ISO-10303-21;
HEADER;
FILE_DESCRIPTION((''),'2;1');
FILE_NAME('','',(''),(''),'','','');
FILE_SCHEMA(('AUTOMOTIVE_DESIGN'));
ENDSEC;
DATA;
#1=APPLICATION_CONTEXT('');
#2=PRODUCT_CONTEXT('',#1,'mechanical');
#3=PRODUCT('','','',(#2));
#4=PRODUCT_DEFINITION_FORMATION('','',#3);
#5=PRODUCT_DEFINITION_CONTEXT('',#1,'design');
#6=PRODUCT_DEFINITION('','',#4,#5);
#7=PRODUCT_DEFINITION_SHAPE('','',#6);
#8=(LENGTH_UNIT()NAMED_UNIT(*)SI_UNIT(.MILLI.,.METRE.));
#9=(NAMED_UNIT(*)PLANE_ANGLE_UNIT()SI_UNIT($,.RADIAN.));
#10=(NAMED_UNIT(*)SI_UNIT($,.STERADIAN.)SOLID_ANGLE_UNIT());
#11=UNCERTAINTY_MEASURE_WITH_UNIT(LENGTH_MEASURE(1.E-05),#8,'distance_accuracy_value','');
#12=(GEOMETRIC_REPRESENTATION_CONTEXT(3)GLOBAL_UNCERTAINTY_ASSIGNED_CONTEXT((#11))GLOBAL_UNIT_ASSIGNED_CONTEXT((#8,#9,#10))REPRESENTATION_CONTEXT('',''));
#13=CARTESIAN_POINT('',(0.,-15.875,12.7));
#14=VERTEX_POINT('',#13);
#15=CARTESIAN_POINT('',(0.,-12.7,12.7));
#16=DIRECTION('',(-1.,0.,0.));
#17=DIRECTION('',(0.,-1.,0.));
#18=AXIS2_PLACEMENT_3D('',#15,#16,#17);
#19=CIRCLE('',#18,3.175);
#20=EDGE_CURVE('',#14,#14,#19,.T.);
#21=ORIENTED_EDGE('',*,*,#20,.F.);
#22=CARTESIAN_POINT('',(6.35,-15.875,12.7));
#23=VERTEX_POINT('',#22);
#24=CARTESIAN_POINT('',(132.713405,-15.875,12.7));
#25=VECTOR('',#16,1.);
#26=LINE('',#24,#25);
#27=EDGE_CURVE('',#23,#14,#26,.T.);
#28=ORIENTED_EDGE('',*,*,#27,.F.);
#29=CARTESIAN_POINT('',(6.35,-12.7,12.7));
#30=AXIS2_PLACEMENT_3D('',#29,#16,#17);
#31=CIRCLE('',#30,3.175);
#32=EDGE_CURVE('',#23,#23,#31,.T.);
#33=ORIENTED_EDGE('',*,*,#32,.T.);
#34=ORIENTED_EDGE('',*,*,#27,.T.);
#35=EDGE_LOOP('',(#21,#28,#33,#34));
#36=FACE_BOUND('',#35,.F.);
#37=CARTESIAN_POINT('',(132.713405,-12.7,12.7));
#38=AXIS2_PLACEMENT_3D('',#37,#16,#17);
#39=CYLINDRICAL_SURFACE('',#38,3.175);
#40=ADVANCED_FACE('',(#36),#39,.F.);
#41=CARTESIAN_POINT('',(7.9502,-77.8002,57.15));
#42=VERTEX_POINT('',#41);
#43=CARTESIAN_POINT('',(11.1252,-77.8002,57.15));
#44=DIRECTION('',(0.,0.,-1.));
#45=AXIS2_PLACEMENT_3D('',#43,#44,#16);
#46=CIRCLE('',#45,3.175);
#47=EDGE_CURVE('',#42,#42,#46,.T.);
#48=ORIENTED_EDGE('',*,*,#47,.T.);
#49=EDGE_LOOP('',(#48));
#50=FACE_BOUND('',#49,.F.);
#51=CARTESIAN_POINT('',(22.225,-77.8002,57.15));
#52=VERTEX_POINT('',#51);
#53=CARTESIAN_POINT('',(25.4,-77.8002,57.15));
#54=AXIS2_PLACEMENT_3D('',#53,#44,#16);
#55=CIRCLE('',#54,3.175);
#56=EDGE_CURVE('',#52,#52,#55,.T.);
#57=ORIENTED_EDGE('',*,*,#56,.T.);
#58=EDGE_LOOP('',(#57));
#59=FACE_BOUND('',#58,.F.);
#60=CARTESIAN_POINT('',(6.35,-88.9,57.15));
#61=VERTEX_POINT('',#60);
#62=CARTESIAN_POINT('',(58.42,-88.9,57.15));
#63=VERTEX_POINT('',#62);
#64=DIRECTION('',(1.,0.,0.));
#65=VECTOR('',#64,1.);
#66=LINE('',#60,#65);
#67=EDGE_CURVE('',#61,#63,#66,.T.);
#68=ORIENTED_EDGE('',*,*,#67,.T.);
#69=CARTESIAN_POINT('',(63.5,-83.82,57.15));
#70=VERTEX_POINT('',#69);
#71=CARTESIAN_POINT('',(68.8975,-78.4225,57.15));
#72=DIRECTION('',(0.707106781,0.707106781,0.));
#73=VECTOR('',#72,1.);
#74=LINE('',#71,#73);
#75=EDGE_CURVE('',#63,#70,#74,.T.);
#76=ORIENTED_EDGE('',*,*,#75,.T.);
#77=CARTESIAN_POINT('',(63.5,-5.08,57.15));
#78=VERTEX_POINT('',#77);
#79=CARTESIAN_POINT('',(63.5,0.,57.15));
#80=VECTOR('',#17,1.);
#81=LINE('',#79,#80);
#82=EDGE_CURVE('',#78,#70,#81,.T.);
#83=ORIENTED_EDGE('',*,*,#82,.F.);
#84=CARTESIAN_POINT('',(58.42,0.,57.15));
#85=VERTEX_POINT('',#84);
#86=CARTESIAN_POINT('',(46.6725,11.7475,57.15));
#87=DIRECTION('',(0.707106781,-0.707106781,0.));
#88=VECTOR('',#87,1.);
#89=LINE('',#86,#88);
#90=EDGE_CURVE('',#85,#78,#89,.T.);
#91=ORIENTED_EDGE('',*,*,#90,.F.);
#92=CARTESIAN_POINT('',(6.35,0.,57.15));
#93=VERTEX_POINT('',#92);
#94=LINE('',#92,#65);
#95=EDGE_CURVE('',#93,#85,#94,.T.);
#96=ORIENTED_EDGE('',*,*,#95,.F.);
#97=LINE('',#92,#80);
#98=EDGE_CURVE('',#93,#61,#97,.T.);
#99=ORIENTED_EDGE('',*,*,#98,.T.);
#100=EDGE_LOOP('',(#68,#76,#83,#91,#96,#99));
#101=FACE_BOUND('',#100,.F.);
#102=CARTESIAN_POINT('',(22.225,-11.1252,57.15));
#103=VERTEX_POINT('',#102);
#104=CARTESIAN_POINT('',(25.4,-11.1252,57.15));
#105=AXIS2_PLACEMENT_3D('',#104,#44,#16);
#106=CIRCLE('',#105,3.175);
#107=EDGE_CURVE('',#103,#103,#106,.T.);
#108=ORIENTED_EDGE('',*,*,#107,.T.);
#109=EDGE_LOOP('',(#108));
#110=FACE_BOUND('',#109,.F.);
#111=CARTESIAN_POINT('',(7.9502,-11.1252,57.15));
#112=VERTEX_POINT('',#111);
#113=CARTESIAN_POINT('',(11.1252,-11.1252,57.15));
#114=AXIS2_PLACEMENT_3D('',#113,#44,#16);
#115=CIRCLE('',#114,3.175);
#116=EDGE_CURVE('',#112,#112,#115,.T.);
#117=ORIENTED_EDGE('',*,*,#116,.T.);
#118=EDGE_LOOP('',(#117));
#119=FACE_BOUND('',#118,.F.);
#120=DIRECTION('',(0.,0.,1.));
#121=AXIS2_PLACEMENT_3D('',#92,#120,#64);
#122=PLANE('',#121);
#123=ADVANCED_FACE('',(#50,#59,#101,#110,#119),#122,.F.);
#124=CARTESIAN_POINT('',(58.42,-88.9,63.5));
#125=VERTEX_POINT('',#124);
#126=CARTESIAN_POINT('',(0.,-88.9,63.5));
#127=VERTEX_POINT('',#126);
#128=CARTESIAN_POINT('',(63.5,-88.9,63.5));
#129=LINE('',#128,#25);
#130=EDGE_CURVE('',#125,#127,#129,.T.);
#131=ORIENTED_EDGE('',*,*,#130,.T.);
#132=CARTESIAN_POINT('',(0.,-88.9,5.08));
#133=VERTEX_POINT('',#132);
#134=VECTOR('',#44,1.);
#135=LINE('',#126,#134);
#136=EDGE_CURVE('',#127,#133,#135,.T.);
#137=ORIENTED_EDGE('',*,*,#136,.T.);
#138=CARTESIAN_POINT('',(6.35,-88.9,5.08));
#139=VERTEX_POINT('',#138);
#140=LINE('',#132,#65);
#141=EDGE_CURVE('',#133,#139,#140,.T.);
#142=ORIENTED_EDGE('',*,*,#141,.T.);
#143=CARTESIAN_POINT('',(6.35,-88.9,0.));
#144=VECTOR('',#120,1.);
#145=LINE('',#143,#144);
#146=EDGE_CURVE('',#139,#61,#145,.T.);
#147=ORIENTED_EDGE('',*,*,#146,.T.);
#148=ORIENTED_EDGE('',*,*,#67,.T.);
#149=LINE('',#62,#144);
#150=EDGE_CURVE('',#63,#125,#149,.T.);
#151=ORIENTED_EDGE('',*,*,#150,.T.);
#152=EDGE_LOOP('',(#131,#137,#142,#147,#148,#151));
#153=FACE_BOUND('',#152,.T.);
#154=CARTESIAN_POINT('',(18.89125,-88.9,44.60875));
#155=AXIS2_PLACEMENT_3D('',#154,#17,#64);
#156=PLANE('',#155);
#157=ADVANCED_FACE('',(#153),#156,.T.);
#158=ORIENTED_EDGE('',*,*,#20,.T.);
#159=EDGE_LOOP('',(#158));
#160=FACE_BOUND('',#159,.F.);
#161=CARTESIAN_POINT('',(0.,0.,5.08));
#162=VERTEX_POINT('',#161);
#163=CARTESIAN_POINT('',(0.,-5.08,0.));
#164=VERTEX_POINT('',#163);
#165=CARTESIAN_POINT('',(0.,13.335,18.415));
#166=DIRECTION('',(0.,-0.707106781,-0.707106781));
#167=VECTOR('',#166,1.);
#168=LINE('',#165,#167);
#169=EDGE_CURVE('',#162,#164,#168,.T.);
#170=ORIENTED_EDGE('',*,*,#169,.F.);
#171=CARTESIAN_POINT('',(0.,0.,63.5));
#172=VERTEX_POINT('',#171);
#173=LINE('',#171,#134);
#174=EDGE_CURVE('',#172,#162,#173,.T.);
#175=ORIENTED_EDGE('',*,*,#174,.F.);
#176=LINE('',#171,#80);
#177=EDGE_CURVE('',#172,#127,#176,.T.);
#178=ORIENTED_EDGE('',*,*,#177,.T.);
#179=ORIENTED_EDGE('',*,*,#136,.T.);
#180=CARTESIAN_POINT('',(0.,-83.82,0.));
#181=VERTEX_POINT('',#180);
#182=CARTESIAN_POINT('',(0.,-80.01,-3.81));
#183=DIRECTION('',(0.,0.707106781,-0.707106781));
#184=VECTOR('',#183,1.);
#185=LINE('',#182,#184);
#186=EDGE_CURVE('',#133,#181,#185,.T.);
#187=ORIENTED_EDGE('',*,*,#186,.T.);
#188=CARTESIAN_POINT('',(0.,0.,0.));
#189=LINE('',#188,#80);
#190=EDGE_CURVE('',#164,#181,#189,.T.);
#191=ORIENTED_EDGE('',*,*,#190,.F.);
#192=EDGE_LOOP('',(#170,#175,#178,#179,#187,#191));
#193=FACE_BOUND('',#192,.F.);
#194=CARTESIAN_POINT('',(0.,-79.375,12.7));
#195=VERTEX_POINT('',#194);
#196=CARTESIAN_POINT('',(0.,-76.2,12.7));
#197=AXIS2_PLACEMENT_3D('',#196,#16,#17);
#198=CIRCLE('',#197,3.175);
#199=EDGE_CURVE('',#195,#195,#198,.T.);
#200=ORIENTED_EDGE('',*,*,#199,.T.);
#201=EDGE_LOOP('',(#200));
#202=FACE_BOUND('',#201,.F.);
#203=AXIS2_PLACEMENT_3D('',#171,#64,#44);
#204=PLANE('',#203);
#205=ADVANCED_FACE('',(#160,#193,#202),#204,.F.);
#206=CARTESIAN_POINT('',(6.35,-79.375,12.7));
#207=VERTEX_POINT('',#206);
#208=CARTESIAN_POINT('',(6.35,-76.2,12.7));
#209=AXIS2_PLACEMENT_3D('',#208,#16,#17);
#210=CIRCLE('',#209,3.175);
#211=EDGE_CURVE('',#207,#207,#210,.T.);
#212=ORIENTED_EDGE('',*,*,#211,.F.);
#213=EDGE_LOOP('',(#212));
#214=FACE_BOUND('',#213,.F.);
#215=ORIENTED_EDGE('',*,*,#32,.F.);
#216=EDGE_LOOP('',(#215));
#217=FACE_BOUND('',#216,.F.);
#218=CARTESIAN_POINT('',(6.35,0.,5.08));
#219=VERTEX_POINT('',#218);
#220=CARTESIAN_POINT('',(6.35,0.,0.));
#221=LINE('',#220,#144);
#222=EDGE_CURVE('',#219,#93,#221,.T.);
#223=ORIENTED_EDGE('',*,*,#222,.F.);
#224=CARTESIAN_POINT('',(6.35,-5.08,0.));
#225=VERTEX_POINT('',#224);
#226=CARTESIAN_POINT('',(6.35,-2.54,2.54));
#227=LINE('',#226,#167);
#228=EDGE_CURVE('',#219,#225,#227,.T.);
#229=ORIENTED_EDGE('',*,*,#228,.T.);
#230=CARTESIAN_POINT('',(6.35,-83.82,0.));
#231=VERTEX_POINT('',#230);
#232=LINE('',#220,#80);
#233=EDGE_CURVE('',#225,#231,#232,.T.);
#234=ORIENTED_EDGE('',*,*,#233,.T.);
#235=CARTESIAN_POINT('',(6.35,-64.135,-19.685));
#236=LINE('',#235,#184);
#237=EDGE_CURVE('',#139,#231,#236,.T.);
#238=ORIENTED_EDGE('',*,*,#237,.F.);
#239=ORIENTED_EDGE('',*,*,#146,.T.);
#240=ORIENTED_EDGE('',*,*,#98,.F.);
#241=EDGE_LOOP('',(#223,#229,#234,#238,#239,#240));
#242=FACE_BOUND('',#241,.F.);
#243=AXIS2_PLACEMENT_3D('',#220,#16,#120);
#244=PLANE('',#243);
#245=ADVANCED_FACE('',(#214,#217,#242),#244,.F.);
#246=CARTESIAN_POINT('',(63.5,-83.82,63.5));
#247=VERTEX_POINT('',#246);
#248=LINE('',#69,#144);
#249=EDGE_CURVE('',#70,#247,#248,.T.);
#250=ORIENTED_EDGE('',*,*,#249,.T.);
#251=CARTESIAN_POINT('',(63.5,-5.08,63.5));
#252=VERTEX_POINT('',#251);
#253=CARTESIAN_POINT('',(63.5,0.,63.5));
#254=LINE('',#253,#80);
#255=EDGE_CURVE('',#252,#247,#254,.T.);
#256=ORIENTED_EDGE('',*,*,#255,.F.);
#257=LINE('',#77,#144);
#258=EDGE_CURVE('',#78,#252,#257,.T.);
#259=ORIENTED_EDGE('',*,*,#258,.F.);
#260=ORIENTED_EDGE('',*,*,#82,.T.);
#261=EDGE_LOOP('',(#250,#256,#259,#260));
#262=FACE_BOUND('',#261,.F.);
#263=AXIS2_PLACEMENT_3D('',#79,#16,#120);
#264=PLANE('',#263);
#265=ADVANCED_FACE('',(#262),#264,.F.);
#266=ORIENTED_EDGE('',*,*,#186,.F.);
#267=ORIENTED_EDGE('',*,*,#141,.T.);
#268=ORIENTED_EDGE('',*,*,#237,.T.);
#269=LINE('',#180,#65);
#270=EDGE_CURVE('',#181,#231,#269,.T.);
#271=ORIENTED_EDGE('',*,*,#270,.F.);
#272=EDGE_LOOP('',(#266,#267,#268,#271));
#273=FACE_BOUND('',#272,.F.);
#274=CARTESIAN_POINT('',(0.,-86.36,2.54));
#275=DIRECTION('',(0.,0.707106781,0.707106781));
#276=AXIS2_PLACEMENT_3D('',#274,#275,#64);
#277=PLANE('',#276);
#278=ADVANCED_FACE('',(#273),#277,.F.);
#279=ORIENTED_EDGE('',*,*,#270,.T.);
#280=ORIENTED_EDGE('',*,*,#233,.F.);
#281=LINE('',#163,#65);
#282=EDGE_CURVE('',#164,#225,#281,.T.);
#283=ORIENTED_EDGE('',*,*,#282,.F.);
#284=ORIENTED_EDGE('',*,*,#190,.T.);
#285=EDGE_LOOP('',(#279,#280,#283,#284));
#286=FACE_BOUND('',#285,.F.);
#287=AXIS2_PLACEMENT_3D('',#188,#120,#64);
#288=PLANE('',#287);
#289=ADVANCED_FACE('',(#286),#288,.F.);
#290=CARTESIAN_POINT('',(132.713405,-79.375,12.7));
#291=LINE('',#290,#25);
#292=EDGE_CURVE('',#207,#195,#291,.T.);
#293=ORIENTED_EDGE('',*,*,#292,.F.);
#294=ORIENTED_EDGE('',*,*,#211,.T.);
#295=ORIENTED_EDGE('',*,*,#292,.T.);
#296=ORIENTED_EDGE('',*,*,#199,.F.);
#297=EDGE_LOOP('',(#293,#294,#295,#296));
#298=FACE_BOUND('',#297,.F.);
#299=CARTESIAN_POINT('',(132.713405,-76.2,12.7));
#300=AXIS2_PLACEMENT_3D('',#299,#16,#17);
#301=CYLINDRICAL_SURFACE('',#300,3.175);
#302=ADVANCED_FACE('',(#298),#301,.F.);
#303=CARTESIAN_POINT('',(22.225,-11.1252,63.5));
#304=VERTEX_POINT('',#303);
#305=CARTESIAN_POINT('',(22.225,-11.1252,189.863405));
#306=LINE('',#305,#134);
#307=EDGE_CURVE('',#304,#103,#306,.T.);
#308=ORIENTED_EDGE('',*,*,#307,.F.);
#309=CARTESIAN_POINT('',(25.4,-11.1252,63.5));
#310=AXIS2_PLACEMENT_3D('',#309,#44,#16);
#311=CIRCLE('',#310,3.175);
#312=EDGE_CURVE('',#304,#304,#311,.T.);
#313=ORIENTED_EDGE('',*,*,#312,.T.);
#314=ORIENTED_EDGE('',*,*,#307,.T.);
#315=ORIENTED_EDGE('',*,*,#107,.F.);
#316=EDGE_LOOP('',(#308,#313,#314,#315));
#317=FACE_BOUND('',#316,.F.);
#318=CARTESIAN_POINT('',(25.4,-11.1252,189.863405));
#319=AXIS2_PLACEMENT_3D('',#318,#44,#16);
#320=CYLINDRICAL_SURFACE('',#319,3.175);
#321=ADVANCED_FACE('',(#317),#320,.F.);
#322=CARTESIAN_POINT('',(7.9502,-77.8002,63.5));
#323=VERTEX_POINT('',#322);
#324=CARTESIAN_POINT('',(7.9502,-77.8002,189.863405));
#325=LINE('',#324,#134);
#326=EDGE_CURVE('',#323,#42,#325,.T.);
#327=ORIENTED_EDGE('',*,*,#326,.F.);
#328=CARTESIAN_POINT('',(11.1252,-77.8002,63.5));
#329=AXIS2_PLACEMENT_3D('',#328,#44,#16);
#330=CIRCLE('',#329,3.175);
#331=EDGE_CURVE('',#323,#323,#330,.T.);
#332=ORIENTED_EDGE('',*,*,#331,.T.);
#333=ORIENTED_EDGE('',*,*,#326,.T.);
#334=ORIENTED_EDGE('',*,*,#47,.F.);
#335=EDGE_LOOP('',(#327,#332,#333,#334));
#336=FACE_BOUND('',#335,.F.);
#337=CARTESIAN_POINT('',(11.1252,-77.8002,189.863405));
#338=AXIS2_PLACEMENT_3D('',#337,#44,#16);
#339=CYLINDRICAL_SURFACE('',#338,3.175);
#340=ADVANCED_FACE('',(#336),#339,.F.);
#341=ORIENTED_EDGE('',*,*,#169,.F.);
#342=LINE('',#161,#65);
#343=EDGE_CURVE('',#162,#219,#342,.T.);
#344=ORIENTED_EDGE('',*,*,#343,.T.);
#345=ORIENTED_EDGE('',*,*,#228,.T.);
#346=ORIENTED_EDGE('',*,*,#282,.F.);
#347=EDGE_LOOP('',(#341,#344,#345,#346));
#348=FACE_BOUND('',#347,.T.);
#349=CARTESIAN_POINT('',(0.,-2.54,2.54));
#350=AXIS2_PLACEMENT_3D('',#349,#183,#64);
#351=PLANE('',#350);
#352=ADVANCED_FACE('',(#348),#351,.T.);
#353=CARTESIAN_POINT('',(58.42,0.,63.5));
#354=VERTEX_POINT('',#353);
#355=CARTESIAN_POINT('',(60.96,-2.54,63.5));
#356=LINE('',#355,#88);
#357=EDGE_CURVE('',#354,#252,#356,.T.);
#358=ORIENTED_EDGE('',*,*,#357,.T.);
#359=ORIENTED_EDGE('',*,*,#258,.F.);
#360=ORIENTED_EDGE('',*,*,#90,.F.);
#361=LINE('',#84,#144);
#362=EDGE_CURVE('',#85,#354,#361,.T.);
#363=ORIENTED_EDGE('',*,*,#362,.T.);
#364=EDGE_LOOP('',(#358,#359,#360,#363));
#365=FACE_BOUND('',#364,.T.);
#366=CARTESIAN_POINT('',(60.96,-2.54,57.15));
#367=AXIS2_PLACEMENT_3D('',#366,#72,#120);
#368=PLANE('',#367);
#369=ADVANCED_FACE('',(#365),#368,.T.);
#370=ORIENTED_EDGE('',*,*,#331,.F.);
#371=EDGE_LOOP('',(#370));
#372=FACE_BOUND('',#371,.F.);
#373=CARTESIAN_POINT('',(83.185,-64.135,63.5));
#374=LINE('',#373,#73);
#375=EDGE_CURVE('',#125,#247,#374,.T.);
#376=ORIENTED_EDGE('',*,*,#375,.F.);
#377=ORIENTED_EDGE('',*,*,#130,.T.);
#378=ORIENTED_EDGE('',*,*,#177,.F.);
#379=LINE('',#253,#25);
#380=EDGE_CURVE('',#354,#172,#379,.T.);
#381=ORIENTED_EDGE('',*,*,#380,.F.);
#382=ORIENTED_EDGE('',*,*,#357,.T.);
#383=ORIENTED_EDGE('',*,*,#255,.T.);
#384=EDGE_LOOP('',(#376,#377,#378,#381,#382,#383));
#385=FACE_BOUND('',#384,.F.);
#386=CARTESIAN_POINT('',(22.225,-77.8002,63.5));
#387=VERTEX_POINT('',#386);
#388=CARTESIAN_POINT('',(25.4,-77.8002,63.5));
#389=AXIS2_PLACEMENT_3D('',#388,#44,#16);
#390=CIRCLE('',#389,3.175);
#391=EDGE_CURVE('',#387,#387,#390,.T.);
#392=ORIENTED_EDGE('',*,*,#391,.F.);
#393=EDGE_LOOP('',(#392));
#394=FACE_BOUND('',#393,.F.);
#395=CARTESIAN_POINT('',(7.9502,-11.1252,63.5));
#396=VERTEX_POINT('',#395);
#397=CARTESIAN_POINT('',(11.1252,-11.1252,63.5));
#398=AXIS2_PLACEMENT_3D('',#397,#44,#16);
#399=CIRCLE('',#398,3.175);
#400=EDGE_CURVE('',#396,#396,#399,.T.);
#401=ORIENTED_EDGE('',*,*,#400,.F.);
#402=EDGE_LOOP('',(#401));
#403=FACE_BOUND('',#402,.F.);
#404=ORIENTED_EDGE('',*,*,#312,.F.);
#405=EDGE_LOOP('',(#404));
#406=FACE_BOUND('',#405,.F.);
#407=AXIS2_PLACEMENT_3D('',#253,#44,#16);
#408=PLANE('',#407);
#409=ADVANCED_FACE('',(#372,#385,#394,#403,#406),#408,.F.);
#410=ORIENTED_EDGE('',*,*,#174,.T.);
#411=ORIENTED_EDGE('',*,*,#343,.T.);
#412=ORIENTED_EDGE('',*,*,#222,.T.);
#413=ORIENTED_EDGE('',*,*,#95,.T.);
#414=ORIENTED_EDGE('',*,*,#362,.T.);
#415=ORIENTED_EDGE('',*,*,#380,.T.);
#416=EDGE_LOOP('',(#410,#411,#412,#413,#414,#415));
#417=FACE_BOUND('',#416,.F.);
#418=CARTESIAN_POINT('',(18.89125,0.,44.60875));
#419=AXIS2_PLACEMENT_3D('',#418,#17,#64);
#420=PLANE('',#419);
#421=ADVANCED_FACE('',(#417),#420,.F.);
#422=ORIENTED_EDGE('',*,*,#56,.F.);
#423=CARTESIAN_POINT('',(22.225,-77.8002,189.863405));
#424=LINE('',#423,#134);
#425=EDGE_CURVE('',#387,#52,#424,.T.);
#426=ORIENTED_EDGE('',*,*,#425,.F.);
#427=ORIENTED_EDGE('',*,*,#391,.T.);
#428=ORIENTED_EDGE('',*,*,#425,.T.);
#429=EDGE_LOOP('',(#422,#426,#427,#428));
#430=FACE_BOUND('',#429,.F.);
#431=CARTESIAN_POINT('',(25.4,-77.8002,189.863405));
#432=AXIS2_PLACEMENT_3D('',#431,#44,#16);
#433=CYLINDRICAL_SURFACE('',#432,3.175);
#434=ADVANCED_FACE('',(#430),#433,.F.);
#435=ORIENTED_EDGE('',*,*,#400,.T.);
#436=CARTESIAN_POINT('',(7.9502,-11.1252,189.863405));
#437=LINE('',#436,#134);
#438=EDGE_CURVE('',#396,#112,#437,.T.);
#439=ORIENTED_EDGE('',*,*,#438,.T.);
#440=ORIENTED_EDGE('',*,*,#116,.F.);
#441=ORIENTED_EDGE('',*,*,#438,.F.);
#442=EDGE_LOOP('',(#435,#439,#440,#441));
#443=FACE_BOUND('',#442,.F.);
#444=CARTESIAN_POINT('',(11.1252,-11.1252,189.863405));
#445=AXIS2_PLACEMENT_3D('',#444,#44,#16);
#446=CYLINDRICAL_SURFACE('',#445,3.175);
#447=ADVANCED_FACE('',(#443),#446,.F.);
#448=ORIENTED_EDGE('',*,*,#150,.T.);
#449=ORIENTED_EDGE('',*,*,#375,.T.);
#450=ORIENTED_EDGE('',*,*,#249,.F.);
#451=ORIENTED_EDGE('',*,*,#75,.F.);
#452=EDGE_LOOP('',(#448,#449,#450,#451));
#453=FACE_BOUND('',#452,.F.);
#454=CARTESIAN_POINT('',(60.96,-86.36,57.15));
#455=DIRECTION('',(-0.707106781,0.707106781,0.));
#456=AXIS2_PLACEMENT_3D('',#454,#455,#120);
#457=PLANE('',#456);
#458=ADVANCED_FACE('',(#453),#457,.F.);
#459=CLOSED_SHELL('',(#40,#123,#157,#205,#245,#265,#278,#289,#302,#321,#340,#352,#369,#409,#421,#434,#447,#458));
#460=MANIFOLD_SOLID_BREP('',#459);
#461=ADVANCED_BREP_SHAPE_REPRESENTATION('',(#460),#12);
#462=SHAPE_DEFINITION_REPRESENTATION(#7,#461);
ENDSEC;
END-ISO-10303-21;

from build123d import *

# Parameters (mm, degrees)
F1_DEPTH = 88.9
F3_D     = 6.35
F4_SIZE  = 5.08
F6_D     = 6.35


with BuildPart() as f1:
    # F0 (on Front) → F1 (new body)
    with BuildSketch(Plane.XZ):
        Polygon((0, 63.5), (0, 0), (6.35, 0), (6.35, 57.15), (63.5, 57.15), (63.5, 63.5), align=None)
    extrude(amount=F1_DEPTH)

    # F3 (through all)
    with Locations(Plane.YZ.offset(6.35)):
        with Locations((-76.2, 12.7), (-12.7, 12.7)):
            Hole(F3_D / 2)

    # F4
    f4_edges = [f1.edges().sort_by_distance(p)[0] for p in [
        (3.175, -88.9, 0),
        (3.175, 0, 0),
        (63.5, -88.9, 60.325),
        (63.5, 0, 60.325),
    ]]
    chamfer(f4_edges, length=F4_SIZE)

    # F6 (through all)
    with Locations(Plane.XY.offset(63.5)):
        with Locations((25.4, -11.1252), (11.1252, -11.1252), (11.1252, -77.8002), (25.4, -77.8002)):
            Hole(F6_D / 2)


solid = f1.part
